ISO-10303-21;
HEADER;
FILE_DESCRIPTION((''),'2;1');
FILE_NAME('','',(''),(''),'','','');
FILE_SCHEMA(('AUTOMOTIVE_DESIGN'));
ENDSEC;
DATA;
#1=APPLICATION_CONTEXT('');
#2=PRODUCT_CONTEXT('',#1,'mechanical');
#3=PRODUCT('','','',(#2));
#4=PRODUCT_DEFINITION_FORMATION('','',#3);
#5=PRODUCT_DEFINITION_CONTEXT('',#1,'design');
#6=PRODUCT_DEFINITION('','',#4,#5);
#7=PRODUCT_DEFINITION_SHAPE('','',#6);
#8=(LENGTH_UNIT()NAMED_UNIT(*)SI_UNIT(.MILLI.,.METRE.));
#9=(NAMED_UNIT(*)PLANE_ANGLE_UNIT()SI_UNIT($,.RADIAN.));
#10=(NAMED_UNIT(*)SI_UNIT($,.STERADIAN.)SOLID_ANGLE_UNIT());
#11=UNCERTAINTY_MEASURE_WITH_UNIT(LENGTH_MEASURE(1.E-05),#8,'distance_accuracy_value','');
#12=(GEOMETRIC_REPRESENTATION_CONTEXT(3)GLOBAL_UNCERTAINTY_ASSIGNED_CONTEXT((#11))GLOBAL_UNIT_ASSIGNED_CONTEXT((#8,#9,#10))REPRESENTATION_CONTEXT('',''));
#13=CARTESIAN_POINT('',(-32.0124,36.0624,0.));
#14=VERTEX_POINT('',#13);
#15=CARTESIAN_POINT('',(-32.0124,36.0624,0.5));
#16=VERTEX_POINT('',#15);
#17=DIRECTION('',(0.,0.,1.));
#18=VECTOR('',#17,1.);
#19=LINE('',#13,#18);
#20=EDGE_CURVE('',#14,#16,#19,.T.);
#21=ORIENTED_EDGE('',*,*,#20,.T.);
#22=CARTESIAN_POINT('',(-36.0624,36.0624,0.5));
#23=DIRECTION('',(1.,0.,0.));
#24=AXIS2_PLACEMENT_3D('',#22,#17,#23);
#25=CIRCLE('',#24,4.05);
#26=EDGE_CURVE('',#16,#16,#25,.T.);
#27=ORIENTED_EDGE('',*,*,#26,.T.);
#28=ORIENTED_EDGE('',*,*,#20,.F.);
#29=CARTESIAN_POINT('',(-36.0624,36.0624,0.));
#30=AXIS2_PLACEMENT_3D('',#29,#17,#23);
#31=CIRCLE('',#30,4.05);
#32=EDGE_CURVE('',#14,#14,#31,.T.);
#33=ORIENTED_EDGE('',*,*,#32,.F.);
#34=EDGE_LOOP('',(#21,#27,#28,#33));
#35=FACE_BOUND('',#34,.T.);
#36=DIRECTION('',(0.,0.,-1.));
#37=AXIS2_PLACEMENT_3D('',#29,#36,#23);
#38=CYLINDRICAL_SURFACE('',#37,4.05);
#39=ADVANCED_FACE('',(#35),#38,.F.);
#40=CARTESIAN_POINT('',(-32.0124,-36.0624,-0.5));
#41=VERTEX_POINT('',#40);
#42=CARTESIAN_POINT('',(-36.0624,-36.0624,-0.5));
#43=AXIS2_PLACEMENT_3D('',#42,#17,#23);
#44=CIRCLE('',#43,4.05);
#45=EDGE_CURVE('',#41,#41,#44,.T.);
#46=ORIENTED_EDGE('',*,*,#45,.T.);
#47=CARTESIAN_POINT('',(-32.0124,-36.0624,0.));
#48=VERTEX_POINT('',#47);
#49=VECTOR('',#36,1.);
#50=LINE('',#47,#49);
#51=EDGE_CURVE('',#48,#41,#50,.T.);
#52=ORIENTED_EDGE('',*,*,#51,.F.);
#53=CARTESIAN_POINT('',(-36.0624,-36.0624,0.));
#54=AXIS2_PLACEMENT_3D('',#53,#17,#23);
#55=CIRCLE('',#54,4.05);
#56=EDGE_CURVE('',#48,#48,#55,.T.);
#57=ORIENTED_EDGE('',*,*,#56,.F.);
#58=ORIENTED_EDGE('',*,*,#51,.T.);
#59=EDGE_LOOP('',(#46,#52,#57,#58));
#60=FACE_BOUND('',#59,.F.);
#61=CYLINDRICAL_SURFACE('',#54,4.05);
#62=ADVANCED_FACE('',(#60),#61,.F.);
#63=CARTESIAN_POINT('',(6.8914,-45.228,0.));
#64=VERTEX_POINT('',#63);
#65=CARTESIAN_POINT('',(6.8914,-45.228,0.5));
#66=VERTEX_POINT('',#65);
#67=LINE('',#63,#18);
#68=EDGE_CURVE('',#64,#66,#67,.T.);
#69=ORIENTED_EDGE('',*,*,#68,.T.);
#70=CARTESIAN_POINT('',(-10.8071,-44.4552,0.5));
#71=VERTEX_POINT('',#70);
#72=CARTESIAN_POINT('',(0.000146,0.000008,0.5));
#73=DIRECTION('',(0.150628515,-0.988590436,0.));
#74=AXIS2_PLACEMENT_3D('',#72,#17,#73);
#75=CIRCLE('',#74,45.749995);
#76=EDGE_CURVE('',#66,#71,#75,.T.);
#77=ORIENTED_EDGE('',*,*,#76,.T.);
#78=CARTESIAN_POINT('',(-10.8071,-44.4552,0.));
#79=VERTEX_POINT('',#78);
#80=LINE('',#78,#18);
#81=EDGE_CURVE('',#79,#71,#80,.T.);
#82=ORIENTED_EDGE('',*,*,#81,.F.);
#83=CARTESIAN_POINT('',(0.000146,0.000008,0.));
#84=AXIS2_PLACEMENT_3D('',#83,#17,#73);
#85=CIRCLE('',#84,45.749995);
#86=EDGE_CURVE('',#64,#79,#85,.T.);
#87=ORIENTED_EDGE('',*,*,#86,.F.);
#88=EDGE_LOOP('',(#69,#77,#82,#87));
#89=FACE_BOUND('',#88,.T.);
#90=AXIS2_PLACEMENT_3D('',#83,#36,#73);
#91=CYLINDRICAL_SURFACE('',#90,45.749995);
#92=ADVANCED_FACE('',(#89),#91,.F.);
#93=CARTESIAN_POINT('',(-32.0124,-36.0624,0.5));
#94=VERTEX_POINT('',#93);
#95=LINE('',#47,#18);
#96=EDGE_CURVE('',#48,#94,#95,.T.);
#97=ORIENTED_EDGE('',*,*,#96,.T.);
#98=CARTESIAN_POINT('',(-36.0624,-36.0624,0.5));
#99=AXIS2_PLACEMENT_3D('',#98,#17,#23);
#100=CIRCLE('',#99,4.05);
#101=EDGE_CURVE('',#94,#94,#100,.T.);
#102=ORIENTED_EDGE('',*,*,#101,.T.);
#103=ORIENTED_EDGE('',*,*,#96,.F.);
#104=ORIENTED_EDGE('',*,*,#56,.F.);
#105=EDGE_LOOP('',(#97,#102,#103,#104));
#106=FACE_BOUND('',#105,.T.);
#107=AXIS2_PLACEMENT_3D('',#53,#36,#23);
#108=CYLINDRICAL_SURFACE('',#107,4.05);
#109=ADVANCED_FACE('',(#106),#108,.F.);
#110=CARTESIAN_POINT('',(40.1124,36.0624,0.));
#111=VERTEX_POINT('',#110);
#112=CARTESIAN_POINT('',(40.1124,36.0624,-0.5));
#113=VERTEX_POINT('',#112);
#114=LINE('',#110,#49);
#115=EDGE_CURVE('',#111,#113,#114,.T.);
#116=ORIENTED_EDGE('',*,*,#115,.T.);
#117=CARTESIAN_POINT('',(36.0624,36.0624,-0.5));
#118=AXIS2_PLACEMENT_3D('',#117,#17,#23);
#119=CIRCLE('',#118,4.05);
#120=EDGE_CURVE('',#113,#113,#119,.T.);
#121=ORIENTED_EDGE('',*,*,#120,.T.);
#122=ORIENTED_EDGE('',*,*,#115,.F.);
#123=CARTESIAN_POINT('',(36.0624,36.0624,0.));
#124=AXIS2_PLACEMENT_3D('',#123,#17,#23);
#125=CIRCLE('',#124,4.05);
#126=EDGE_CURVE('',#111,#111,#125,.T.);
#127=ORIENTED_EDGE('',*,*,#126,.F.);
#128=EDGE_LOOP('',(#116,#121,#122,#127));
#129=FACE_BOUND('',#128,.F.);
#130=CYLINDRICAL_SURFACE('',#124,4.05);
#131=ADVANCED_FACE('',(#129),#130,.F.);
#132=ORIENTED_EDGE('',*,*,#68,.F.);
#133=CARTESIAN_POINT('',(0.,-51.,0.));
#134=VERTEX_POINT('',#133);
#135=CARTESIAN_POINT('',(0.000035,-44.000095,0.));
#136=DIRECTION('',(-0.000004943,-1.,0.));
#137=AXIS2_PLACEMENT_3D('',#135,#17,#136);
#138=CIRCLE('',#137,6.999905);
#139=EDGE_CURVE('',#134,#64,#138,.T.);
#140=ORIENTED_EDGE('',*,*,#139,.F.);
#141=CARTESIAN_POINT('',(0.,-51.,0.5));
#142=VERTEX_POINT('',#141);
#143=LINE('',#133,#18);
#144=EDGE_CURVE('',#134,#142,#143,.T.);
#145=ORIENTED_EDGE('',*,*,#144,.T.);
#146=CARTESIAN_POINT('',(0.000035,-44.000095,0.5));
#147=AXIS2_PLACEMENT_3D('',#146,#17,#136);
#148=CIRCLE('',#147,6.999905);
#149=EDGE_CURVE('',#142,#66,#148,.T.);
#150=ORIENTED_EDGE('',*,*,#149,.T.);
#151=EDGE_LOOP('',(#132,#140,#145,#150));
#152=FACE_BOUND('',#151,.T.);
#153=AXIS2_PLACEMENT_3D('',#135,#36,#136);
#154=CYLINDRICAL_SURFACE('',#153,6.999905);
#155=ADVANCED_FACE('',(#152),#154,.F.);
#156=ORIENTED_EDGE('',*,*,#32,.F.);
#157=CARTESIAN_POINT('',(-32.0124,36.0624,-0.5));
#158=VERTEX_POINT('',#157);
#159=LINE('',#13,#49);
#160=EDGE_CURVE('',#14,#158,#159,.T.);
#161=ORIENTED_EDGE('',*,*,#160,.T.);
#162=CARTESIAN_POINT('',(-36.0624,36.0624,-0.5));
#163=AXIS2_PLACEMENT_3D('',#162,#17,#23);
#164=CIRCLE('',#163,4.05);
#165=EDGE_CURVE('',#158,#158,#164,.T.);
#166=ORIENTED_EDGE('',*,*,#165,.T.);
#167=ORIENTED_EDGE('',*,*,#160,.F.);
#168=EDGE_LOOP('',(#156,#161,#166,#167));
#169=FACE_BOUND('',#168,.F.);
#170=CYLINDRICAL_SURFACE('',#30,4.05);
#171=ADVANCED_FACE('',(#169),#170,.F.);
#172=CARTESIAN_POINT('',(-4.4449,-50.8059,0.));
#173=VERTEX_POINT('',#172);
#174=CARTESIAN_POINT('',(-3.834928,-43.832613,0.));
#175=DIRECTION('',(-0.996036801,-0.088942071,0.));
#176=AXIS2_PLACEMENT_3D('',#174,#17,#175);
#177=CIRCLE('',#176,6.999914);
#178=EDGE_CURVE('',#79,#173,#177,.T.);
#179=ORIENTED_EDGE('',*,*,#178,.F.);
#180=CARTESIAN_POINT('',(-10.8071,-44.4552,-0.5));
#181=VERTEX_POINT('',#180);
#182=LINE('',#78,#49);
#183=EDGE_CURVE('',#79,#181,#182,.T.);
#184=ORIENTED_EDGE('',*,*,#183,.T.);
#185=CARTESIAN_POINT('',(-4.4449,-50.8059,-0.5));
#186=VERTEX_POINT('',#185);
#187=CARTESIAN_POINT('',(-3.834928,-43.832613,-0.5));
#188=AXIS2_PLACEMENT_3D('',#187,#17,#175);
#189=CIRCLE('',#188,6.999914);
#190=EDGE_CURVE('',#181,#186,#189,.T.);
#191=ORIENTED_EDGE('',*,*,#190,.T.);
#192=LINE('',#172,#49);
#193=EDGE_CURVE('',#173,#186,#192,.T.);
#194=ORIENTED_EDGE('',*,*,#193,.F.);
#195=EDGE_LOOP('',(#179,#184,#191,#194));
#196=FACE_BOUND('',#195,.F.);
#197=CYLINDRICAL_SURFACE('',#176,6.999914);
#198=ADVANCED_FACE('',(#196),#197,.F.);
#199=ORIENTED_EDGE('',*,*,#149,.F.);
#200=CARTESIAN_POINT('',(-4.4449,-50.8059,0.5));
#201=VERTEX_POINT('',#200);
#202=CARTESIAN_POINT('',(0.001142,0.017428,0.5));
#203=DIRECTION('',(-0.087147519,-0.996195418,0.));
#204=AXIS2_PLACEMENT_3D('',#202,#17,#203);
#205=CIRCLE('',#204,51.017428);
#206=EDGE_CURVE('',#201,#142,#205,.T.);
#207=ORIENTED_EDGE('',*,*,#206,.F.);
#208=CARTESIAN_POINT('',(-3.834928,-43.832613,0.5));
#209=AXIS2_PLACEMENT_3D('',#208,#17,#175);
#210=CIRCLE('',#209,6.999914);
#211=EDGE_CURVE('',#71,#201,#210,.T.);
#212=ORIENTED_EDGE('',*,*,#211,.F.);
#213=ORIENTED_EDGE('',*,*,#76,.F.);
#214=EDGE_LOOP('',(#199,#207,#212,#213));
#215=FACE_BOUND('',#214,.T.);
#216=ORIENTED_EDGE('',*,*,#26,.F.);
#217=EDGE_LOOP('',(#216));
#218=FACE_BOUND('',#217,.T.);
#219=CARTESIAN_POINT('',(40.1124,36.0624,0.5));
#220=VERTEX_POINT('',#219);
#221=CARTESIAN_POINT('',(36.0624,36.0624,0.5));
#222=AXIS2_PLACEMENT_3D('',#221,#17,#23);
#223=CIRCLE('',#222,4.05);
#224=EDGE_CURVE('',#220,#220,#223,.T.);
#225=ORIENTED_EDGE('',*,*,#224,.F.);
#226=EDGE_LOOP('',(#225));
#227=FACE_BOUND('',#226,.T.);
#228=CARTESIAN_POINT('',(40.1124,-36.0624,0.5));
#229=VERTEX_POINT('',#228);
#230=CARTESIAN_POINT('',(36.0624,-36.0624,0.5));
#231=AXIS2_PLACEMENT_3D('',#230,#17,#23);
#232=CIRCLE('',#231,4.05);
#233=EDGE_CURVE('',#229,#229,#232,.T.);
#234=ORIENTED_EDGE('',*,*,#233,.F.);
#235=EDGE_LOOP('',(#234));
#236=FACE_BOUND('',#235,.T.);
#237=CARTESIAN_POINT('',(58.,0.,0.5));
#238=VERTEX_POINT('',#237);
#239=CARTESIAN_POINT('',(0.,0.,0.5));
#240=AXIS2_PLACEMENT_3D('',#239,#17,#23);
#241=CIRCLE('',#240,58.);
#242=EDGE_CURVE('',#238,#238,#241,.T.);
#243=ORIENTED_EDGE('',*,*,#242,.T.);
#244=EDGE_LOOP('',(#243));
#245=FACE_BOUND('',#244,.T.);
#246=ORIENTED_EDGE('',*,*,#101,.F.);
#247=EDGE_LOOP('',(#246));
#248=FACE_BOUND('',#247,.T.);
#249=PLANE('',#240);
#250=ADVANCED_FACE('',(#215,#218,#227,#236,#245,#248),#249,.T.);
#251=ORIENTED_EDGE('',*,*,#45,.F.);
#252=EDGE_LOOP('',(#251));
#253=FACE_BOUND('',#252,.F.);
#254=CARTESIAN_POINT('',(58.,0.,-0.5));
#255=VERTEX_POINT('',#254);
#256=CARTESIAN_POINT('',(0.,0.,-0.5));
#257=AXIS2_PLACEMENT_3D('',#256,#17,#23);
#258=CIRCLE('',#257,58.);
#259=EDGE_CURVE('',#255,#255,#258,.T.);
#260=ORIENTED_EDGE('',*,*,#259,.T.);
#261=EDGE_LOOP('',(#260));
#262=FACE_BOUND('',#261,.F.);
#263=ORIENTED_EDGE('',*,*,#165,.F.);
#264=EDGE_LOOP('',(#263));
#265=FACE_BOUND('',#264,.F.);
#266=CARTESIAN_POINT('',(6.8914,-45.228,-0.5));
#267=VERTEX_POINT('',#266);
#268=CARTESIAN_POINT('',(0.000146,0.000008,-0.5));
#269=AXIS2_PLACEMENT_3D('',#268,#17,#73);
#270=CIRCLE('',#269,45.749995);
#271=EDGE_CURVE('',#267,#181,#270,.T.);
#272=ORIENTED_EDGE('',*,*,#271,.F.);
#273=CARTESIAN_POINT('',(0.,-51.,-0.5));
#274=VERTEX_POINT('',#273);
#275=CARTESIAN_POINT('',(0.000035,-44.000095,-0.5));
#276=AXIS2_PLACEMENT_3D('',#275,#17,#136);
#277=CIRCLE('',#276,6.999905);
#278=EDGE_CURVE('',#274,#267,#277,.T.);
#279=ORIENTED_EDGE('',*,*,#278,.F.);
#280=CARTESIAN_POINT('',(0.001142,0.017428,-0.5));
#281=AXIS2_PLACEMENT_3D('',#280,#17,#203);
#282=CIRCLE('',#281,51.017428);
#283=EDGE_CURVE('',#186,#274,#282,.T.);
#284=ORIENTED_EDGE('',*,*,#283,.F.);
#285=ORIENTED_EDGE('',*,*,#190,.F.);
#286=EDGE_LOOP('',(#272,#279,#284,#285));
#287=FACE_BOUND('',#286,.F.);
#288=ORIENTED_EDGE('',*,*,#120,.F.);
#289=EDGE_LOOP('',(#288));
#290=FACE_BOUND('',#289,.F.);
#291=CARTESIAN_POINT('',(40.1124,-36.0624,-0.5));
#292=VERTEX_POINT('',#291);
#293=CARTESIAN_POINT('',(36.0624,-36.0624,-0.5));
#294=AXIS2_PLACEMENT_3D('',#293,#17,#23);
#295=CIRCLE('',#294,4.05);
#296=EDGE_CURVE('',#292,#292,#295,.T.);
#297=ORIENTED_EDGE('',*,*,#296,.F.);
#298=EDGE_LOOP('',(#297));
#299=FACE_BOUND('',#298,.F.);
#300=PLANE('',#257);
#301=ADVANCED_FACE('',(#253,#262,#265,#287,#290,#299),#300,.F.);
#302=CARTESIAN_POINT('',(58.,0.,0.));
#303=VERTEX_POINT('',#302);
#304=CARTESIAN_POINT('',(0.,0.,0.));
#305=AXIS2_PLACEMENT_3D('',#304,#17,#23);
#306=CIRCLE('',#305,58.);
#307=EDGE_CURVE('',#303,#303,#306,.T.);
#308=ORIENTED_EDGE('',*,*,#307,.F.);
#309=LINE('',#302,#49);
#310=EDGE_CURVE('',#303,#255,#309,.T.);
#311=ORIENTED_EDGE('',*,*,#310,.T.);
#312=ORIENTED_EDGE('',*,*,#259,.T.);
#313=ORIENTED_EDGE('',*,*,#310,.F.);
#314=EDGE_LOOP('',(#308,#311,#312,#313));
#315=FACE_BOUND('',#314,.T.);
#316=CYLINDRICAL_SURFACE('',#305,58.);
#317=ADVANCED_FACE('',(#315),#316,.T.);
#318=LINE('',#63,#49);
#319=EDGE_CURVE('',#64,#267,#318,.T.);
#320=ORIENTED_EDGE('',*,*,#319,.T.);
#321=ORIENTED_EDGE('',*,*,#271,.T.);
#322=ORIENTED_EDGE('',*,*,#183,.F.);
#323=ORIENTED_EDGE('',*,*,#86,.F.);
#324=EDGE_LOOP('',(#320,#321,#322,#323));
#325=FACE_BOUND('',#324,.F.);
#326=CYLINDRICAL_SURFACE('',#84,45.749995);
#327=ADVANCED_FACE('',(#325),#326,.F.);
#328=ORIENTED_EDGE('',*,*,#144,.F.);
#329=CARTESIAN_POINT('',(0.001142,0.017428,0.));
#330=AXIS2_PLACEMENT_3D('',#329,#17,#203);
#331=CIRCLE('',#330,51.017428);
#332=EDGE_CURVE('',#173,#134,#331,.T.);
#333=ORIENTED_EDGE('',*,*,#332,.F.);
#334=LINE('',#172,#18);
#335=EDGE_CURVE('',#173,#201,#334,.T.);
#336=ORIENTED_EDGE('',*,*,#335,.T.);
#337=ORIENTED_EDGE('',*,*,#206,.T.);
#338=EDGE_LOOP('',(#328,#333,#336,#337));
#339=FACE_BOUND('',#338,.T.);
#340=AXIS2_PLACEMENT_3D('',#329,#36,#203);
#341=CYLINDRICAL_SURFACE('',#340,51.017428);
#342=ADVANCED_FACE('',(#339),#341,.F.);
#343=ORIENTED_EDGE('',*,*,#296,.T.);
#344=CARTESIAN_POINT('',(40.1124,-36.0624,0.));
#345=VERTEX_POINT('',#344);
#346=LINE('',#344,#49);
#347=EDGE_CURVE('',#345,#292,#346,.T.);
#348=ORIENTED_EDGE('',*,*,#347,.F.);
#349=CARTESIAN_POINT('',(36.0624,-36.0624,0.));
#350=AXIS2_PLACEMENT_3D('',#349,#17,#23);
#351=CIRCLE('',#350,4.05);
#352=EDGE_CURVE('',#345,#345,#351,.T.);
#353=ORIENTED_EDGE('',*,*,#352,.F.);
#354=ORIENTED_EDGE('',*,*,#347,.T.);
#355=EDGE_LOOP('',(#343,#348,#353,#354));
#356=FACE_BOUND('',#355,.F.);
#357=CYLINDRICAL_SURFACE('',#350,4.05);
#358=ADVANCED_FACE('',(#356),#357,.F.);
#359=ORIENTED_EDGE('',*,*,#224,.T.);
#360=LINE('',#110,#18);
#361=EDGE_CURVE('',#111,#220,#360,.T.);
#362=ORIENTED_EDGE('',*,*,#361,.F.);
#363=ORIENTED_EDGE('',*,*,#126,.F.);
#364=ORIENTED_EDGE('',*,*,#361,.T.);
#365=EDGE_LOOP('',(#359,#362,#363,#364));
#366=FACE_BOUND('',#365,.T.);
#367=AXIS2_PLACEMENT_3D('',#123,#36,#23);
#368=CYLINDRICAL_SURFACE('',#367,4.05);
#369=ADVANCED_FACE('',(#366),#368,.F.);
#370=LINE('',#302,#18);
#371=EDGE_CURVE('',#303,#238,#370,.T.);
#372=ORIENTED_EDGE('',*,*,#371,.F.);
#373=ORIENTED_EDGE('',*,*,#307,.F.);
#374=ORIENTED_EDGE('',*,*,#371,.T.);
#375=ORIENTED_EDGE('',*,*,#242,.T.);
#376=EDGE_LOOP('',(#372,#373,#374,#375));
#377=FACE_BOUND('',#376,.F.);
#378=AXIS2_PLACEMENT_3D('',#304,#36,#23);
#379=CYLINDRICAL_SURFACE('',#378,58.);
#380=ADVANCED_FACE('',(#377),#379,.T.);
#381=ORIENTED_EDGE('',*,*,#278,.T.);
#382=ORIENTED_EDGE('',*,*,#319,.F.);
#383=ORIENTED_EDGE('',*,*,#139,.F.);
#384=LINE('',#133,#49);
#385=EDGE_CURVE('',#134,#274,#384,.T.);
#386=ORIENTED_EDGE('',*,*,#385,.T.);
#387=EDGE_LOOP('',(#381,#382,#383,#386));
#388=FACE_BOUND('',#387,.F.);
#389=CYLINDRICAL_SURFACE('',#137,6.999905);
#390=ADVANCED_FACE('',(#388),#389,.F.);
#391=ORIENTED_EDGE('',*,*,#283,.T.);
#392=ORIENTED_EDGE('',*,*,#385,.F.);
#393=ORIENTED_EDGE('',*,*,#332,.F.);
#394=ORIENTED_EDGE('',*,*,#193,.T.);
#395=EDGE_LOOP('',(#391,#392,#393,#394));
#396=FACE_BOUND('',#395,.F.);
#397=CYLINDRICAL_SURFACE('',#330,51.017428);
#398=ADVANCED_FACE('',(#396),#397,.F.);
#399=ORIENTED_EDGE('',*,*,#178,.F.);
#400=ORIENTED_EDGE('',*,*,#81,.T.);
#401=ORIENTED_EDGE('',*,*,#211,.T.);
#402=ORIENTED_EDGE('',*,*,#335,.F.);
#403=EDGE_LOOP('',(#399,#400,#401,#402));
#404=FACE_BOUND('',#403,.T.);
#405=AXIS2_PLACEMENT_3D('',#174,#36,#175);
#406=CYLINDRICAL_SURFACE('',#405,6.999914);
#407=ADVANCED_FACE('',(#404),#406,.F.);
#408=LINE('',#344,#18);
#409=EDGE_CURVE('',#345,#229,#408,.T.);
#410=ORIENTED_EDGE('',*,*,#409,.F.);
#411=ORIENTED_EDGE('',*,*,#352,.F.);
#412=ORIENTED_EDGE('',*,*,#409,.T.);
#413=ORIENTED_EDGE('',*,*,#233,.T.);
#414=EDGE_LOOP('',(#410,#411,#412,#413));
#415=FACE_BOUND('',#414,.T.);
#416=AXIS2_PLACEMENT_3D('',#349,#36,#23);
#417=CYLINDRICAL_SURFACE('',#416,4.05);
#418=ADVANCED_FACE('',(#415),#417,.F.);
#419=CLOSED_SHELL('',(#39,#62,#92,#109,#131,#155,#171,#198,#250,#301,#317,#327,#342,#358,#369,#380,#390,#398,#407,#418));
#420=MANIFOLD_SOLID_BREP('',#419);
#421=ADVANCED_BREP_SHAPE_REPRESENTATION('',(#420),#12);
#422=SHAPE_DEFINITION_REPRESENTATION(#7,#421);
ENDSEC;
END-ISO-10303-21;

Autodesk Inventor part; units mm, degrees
ref_plane "YZ Plane" through (0, 0, 0) normal (1, 0, 0) x (0, 1, 0)
ref_plane "XZ Plane" through (0, 0, 0) normal (0, 1, 0) x (-1, 0, 0)
ref_plane "XY Plane" through (0, 0, 0) normal (0, 0, 1) x (1, 0, 0)
sketch "Эскиз1" plane through (0, 0, 0) normal (0, 0, 1) x (1, 0, 0)
  circle A0 centre (0, 0) radius 58
  arc A1 (6.8914, -45.228) -> (-10.8071, -44.4552) centre (0, 0) ccw
  circle A2 centre (0, 0) radius 51 construction
  circle A3 centre (36.0624, 36.0624) radius 4.05
  circle A4 centre (-36.0624, 36.0624) radius 4.05
  circle A5 centre (-36.0624, -36.0624) radius 4.05
  circle A6 centre (36.0624, -36.0624) radius 4.05
  line L0 (0, 0) -> (0, 51) construction
  line L1 (0, 0) -> (36.0624, 36.0624) construction
  line L2 (0, 0) -> (-36.0624, 36.0624) construction
  line L3 (0, 0) -> (36.0624, -36.0624) construction
  line L4 (0, 0) -> (-36.0624, -36.0624) construction
  line L5 (0, 0) -> (0, -51) construction
  line L6 (0, 0) -> (-4.4449, -50.8059) construction
  arc A7 (-10.8071, -44.4552) -> (-4.4449, -50.8059) centre (-3.8349, -43.8326) ccw
  arc A8 (0, -51) -> (6.8914, -45.228) centre (0, -44) ccw
  arc A9 (-4.4449, -50.8059) -> (0, -51) centre (0, 0) ccw
  dimension "d2" = 102
  dimension "d0" = 116
  dimension "d1" = 91.5
  dimension "d3" = 8.1
  dimension "d4" = 45
  dimension "d5" = 90
  dimension "d6" = 90
  dimension "d7" = 45
  dimension "d8" = 5
  dimension "d9" = 7
  dimension "d10" = 7
extrude "Выдавливание1" add sketch "Эскиз1" along normal mid plane 1
properties part number "75. Прокладка крышки"
